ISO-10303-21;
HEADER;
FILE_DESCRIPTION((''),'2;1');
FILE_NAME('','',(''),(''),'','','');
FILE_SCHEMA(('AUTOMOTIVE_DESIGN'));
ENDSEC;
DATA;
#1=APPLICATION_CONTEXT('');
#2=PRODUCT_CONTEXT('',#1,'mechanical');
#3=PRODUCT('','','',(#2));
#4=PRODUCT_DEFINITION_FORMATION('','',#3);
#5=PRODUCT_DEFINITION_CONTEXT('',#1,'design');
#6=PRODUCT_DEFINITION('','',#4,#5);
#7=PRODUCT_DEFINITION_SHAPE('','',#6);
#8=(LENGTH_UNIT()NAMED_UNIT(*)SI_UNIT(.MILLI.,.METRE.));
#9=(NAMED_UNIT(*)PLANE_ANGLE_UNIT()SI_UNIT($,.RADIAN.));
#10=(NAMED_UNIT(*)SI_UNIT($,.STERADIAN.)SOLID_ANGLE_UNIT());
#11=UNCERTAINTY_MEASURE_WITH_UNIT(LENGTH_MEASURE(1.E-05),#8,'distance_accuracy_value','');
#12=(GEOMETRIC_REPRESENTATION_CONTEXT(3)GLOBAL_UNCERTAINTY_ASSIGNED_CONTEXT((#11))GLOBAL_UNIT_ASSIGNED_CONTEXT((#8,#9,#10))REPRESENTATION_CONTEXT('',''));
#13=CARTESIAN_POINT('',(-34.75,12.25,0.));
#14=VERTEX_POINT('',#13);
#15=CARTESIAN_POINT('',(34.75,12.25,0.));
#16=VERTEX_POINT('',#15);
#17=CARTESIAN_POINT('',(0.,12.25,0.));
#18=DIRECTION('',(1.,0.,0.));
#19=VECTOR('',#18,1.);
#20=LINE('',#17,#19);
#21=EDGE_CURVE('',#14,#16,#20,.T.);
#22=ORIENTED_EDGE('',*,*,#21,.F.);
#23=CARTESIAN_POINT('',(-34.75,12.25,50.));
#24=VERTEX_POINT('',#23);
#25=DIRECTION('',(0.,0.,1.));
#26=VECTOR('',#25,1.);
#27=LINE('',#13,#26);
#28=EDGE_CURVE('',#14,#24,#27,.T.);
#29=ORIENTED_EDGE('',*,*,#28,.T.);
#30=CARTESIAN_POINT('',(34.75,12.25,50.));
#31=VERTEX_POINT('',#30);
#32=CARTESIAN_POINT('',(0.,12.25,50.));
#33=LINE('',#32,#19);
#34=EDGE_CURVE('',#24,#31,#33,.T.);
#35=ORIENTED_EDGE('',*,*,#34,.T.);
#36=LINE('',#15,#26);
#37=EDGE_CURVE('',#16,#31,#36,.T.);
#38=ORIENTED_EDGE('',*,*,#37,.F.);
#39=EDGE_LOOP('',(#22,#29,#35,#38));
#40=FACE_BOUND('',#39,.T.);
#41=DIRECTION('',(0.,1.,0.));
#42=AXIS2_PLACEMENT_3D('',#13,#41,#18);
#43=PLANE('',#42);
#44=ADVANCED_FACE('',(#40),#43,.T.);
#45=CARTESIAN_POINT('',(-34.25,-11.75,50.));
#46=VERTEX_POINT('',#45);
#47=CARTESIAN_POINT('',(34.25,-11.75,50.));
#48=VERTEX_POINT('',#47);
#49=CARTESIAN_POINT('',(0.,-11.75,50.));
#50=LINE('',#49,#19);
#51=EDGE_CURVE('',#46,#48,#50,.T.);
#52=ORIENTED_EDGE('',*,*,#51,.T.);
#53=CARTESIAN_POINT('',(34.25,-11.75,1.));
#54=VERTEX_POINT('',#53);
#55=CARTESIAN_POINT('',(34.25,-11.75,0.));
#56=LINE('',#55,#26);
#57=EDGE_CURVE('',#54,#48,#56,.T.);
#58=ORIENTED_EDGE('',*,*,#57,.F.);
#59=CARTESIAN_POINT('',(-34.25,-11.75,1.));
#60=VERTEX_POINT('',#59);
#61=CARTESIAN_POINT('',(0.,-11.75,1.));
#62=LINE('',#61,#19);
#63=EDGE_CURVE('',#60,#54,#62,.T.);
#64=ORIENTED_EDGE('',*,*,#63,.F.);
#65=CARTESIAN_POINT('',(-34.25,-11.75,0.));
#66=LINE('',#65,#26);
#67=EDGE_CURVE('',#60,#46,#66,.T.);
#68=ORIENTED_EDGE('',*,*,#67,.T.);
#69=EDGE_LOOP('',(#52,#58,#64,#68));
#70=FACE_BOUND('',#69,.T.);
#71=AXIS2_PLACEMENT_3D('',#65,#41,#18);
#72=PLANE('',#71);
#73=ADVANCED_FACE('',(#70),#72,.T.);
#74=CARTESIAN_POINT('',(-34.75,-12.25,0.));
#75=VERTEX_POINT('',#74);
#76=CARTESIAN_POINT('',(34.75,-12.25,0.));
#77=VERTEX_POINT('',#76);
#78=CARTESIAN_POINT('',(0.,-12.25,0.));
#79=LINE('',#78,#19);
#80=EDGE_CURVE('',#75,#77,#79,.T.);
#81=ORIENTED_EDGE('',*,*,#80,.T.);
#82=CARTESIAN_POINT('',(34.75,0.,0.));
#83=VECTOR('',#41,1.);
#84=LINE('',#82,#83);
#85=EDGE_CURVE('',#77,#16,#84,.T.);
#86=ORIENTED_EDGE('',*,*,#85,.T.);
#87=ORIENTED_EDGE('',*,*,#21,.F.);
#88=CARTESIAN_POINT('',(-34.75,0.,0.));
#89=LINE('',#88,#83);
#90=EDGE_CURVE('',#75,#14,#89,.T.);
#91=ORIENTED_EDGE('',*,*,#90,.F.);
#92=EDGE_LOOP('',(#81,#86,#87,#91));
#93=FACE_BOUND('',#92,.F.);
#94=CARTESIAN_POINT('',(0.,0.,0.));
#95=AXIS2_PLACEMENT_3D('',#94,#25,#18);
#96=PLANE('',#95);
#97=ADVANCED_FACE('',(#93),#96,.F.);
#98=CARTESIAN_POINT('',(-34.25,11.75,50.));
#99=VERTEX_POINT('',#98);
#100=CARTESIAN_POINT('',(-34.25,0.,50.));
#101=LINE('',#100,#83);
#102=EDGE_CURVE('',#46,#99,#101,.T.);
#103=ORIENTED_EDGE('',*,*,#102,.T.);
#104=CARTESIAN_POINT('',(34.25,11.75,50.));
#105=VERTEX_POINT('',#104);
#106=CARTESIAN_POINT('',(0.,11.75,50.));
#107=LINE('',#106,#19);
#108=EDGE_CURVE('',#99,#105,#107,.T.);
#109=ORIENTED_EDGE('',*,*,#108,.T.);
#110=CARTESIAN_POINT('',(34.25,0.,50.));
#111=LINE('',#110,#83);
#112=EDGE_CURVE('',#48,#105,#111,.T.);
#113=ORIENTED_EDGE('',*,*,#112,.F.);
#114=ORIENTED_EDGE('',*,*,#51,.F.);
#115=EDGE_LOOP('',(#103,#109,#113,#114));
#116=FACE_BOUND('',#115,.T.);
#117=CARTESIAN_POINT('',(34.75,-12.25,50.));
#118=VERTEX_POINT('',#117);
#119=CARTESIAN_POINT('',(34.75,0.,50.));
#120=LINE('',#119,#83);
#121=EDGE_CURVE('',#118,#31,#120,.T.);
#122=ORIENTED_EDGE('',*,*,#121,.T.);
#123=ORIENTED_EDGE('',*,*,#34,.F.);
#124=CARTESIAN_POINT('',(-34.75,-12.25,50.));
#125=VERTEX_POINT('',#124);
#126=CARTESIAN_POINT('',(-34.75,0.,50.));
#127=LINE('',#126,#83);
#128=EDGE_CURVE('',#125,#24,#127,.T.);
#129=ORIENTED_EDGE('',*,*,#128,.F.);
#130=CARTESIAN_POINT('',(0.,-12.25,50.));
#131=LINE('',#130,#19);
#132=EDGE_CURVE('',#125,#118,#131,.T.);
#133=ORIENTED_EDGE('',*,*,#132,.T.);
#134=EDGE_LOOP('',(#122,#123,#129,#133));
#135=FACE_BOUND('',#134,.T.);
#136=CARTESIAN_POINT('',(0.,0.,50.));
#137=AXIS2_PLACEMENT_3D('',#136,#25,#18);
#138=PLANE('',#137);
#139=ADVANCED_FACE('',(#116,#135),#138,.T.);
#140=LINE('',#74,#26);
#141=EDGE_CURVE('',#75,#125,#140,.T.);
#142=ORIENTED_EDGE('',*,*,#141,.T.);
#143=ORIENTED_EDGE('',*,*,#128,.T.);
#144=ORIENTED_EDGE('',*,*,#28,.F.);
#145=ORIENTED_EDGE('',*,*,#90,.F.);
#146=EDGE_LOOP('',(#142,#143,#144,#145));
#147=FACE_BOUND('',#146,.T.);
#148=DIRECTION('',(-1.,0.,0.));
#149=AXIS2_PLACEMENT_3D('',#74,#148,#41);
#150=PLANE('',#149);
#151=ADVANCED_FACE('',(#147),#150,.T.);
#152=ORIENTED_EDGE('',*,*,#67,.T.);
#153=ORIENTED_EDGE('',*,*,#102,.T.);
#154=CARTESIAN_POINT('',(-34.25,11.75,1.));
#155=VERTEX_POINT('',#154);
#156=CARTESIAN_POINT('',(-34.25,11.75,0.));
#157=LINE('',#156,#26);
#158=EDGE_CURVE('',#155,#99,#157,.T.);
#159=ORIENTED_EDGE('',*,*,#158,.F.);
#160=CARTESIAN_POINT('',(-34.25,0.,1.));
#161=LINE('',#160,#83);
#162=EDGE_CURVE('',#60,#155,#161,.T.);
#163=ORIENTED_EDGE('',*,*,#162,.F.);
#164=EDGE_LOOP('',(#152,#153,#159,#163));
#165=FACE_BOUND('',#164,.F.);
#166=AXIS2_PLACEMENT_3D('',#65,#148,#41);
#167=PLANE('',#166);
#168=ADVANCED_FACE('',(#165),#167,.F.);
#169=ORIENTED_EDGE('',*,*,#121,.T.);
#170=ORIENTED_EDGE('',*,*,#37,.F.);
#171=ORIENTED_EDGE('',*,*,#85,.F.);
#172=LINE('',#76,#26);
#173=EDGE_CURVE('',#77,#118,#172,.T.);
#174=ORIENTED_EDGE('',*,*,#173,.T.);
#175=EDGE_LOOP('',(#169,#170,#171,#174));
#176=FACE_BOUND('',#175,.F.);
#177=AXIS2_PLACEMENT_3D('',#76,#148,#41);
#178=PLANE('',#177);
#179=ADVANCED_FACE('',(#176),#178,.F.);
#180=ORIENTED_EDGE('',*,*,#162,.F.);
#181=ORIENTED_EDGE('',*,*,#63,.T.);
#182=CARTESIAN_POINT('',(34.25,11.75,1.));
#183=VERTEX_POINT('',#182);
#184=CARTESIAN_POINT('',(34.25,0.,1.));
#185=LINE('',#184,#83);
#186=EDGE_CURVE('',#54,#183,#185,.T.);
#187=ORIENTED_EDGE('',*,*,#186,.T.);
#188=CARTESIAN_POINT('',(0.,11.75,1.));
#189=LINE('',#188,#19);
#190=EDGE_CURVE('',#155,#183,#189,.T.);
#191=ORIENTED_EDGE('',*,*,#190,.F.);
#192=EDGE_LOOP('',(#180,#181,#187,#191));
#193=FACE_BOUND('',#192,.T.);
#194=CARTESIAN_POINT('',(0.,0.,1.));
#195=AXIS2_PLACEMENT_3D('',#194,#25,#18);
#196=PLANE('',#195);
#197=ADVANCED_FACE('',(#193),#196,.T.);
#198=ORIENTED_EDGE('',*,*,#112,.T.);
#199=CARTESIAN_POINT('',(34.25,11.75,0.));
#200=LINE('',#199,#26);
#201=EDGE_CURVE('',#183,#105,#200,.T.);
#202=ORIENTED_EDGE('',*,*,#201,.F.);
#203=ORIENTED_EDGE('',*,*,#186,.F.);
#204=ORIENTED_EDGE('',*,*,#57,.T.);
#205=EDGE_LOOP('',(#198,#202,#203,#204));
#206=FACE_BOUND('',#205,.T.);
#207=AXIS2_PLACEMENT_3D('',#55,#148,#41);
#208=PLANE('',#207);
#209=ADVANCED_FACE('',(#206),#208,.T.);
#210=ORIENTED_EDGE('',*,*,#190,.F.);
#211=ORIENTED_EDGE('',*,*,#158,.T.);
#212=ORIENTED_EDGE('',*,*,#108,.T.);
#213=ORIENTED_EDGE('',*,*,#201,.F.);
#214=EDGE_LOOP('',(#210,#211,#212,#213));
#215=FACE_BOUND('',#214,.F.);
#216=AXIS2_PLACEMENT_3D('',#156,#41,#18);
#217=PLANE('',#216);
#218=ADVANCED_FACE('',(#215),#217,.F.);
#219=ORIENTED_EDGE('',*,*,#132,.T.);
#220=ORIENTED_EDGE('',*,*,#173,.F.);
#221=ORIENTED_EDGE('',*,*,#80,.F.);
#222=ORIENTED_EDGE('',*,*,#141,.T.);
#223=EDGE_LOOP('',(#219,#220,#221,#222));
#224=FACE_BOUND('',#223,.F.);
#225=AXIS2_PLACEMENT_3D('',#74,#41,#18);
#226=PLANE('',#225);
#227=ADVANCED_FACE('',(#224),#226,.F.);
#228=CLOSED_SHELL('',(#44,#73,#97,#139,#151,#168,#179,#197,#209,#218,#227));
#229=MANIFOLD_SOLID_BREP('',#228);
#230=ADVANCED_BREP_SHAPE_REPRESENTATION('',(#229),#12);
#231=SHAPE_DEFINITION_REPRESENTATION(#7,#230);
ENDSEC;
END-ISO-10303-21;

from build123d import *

# Parameters (mm, degrees)
F0_W     = 68.5
F0_H     = 23.5
F1_DEPTH = 1
F2_W     = 69.5
F2_H     = 24.5
F2_W_2   = 68.5
F2_H_2   = 23.5
F3_DEPTH = 50


with BuildPart() as f1:
    # F0 (on Top) → F1 (new body)
    with BuildSketch(Plane.XY):
        Rectangle(F0_W, F0_H)
    extrude(amount=F1_DEPTH)

    # F2 (on Top) → F3 (join)
    with BuildSketch(Plane.XY):
        Rectangle(F2_W, F2_H)
        Rectangle(F2_W_2, F2_H_2, mode=Mode.SUBTRACT)
    extrude(amount=F3_DEPTH)


solid = f1.part
